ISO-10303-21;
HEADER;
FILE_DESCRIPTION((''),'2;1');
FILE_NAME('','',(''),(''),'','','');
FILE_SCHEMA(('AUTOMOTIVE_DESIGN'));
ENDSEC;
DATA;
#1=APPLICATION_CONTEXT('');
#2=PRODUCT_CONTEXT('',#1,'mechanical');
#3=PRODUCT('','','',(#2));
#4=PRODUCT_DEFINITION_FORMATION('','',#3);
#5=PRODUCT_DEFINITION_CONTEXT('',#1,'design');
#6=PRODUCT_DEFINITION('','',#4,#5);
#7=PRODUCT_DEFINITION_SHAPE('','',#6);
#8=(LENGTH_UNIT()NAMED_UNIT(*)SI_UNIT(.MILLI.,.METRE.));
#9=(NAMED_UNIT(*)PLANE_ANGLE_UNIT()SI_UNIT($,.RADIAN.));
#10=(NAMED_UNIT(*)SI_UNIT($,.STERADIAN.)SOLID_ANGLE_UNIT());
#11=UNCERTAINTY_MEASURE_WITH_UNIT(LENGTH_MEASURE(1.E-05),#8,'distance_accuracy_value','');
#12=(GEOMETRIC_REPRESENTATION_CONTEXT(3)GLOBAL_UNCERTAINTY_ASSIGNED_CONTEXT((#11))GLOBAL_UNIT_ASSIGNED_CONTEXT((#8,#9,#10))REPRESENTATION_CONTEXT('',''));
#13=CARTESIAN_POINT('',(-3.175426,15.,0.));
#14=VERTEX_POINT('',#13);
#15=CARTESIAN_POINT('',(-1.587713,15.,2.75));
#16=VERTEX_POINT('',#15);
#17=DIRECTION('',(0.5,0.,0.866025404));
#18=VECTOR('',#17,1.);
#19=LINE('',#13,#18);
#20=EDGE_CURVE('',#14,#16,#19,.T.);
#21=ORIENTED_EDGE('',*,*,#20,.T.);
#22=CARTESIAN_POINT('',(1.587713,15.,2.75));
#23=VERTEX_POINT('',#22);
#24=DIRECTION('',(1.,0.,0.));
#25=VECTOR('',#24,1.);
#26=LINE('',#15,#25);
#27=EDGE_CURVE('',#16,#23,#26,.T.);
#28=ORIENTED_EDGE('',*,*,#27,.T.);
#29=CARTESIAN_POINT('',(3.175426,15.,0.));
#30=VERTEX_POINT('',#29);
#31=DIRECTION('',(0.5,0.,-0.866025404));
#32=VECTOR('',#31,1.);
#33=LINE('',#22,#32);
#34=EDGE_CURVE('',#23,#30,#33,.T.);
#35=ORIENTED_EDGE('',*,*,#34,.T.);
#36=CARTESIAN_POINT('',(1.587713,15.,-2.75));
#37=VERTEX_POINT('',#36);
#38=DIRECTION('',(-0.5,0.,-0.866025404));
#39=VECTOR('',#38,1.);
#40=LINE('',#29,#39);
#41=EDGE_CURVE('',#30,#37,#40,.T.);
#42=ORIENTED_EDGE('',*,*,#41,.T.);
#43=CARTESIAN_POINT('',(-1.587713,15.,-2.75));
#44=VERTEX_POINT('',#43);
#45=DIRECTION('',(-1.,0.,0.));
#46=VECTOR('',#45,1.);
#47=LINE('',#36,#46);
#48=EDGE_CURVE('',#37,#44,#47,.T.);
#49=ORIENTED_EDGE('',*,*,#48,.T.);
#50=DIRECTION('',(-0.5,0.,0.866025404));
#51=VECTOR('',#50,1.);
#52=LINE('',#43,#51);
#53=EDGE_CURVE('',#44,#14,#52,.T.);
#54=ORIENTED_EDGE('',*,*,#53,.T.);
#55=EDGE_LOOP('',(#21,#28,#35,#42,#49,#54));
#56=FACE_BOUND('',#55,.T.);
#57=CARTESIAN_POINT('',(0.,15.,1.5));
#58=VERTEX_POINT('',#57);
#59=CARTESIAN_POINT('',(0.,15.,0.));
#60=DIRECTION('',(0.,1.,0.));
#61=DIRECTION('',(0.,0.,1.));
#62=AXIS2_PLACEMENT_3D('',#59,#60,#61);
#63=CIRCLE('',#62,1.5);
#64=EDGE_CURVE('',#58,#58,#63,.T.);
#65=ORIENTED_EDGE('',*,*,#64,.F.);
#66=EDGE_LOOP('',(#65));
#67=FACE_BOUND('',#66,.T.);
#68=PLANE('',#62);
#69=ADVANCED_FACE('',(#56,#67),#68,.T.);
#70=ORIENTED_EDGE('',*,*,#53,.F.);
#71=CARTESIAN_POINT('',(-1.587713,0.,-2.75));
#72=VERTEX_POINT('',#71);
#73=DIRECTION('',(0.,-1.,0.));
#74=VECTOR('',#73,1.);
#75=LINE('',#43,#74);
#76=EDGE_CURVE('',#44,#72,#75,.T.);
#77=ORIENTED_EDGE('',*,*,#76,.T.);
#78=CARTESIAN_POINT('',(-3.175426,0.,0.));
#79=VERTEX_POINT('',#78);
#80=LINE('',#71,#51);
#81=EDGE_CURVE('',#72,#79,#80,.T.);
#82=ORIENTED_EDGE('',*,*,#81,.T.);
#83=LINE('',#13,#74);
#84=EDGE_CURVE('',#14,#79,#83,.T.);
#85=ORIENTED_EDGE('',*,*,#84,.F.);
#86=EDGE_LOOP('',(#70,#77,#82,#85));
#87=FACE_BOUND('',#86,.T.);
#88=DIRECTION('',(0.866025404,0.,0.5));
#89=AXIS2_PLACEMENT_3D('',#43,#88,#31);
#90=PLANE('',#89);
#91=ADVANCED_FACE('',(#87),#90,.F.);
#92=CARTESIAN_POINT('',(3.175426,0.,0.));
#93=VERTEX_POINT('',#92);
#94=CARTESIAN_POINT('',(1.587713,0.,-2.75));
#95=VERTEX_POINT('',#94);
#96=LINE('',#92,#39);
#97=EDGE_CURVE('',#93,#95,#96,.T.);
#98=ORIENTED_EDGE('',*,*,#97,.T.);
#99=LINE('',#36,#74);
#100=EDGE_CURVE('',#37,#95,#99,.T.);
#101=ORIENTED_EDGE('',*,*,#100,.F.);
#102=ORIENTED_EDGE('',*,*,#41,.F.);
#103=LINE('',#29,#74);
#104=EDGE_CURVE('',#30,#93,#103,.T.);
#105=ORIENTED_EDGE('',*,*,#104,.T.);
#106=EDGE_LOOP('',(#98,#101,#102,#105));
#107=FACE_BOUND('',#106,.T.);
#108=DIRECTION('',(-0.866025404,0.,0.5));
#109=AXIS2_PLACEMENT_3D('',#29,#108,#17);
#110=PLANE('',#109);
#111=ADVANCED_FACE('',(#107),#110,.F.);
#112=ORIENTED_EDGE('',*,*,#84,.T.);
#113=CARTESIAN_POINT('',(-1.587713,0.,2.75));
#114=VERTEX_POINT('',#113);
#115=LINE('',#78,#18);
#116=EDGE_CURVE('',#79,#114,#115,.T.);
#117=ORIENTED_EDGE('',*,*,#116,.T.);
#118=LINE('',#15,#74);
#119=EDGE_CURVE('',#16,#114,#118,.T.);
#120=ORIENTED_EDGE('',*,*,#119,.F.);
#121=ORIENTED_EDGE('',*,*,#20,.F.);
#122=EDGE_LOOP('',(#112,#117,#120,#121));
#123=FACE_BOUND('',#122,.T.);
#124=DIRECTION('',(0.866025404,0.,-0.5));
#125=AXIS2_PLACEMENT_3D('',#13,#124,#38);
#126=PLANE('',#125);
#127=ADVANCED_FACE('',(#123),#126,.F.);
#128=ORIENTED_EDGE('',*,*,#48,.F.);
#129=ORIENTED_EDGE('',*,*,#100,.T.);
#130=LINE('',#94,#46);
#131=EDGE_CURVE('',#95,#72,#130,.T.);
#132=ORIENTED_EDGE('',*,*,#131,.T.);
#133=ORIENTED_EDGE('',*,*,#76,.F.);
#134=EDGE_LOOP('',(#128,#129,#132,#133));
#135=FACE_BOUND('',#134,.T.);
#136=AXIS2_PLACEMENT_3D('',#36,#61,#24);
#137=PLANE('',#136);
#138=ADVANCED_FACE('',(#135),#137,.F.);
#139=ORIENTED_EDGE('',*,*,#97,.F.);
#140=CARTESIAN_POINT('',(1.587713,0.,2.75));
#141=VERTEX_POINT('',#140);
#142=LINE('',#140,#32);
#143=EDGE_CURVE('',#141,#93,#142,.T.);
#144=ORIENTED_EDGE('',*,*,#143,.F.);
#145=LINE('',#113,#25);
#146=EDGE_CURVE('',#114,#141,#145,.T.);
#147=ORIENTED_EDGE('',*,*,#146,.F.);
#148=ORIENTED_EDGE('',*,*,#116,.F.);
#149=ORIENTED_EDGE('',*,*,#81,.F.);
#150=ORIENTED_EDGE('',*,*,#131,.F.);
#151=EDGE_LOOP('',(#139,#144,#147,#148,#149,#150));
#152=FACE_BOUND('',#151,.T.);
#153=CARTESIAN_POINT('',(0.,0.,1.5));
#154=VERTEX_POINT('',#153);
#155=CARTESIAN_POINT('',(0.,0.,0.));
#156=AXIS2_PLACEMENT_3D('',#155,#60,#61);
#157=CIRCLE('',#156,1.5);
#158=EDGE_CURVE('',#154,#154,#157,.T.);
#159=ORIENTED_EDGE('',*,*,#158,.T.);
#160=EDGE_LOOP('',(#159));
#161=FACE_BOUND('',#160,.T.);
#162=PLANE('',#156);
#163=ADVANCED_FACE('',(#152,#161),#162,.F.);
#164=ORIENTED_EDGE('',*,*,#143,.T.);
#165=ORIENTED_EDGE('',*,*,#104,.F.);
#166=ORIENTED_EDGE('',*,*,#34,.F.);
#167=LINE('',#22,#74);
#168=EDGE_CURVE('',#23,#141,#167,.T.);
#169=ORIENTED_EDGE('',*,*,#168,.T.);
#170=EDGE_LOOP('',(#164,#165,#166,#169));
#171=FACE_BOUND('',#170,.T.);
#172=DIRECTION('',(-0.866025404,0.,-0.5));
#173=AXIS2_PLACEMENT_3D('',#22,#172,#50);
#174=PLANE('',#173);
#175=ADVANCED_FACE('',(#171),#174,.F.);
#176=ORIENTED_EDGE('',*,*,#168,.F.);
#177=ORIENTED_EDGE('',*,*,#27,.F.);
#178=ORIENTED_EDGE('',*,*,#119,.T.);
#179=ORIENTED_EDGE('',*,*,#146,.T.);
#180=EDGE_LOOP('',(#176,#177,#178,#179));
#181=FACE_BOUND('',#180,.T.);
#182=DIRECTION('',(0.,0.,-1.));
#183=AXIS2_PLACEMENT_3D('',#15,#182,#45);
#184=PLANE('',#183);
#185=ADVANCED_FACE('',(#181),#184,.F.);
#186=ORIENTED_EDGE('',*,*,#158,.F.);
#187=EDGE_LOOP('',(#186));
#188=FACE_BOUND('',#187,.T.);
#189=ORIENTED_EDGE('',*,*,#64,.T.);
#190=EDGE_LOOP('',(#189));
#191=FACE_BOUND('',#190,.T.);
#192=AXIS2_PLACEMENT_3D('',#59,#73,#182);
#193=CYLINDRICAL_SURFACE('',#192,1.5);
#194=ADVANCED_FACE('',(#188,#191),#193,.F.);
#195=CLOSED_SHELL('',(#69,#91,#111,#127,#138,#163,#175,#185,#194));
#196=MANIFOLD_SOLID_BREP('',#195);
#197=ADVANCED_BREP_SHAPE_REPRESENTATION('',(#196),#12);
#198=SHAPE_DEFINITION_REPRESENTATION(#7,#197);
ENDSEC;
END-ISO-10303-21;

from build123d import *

# Parameters (mm, degrees)
SKETCH1_R           = 1.5
BOSS_EXTRUDE1_DEPTH = 15


with BuildPart() as part:
    # Sketch1 → Boss-Extrude1 (new body)
    with BuildSketch(Plane(origin=(0, 0, 0), x_dir=(1, 0, 0), z_dir=(0, 1, 0))):
        Polygon((-1.58771324, 2.75), (-3.175426481, 0), (-1.58771324, -2.75), (1.58771324, -2.75), (3.175426481, 0), (1.58771324, 2.75), align=None)
        Circle(SKETCH1_R, mode=Mode.SUBTRACT)
    extrude(amount=BOSS_EXTRUDE1_DEPTH)


solid = part.part
